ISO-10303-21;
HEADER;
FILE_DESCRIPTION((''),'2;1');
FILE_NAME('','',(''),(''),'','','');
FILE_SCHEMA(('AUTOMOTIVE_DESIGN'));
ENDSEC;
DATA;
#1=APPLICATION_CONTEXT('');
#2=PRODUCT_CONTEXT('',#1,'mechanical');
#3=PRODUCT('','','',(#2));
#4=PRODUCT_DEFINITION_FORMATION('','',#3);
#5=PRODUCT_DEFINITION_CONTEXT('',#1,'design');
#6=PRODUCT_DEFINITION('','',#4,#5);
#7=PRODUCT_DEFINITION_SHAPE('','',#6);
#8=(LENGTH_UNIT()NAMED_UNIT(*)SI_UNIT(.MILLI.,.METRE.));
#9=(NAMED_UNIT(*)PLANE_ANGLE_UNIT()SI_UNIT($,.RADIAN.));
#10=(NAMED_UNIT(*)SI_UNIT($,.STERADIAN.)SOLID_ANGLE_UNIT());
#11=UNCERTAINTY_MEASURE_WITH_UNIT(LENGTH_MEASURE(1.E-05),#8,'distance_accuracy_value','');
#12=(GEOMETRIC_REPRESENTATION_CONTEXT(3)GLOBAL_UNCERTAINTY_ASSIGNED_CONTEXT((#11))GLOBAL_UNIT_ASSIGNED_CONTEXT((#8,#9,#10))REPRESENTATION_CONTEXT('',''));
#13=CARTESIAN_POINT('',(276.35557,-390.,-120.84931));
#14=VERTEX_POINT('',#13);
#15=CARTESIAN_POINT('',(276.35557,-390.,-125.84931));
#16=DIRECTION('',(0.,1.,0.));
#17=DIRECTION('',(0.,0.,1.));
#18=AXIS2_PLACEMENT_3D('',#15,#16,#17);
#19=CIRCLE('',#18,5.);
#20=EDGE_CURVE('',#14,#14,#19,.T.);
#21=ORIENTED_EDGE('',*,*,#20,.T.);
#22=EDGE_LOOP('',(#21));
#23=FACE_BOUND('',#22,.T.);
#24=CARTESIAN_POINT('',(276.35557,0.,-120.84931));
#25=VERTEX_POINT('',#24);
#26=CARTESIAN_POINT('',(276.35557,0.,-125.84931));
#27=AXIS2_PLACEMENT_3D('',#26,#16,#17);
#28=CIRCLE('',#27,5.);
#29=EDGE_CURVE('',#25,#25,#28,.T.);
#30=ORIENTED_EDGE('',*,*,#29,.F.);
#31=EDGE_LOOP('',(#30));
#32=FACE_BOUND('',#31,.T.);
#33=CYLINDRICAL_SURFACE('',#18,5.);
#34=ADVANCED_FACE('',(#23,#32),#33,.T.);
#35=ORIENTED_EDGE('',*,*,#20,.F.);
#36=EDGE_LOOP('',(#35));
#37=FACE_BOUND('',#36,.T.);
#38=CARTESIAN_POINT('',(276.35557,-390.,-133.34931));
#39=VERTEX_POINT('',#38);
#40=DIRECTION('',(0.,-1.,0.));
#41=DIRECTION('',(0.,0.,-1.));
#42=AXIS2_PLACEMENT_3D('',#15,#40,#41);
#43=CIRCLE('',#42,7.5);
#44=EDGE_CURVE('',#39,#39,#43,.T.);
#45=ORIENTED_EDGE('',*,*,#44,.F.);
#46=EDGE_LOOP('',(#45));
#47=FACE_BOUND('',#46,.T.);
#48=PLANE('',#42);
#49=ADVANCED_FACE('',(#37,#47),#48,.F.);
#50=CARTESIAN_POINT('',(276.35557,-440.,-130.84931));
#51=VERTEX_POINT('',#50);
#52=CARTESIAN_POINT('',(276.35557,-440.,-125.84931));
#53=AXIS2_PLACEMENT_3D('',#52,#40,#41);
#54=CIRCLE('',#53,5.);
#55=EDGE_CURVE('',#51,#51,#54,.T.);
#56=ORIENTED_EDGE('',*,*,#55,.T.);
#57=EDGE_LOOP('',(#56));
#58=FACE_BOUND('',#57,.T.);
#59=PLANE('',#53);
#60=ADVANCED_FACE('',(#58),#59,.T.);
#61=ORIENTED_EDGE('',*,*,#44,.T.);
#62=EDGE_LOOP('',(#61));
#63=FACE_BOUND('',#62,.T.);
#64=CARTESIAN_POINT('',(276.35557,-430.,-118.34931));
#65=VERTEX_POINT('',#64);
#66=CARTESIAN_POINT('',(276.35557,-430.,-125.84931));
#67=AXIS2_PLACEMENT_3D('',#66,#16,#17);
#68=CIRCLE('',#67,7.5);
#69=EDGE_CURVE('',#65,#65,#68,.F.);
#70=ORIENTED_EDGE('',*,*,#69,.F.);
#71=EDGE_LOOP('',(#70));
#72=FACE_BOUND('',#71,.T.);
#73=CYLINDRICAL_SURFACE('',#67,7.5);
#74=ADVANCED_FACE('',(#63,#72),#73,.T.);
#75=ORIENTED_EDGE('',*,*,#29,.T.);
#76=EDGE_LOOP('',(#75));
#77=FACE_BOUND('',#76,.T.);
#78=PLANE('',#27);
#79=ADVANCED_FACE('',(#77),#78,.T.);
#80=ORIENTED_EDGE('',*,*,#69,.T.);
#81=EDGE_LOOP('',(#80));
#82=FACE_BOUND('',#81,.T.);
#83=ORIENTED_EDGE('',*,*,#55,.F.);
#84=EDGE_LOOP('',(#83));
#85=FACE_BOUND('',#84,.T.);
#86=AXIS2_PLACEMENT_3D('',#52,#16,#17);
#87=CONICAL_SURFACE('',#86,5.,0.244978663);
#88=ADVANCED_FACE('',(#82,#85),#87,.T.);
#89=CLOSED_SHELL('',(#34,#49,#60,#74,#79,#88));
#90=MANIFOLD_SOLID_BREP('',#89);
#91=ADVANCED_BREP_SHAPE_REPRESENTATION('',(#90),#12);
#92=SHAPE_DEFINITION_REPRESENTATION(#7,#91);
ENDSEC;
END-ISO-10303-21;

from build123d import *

# Parameters (mm, degrees)
SKETCH19_R          = 5
BOSS_EXTRUDE1_DEPTH = 390
SKETCH25_R          = 7.5
BOSS_EXTRUDE2_DEPTH = 40
SKETCH26_R          = 7.5
SKETCH27_R          = 5


with BuildPart() as part:
    # Sketch19 → Boss-Extrude1 (new body)
    with BuildSketch(Plane(origin=(0, 0, 0), x_dir=(1, 0, 0), z_dir=(0, 1, 0))):
        with Locations(Location((276.355570331, 125.849309684, 0), (0, 0, 270))):
            Circle(SKETCH19_R)
    extrude(amount=-BOSS_EXTRUDE1_DEPTH)

    # Sketch25 → Boss-Extrude2 (add)
    with BuildSketch(Plane.XZ.offset(390)):
        with Locations(Location((276.355570331, -125.849309684, 0), (0, 0, 270))):
            Circle(SKETCH25_R)
    extrude(amount=BOSS_EXTRUDE2_DEPTH)

    # Sketch26 → Loft1 section 0
    with BuildSketch(Plane.XZ.offset(430)):
        with Locations((276.355570331, -125.849309684)):
            Circle(SKETCH26_R)
    # Sketch27 → Loft1 section 1
    with BuildSketch(Plane(origin=(0, -440, 0), x_dir=(-1, 0, 0), z_dir=(0, -1, 0))):
        with Locations((-276.355570331, 125.849309684)):
            Circle(SKETCH27_R)
    loft()


solid = part.part
